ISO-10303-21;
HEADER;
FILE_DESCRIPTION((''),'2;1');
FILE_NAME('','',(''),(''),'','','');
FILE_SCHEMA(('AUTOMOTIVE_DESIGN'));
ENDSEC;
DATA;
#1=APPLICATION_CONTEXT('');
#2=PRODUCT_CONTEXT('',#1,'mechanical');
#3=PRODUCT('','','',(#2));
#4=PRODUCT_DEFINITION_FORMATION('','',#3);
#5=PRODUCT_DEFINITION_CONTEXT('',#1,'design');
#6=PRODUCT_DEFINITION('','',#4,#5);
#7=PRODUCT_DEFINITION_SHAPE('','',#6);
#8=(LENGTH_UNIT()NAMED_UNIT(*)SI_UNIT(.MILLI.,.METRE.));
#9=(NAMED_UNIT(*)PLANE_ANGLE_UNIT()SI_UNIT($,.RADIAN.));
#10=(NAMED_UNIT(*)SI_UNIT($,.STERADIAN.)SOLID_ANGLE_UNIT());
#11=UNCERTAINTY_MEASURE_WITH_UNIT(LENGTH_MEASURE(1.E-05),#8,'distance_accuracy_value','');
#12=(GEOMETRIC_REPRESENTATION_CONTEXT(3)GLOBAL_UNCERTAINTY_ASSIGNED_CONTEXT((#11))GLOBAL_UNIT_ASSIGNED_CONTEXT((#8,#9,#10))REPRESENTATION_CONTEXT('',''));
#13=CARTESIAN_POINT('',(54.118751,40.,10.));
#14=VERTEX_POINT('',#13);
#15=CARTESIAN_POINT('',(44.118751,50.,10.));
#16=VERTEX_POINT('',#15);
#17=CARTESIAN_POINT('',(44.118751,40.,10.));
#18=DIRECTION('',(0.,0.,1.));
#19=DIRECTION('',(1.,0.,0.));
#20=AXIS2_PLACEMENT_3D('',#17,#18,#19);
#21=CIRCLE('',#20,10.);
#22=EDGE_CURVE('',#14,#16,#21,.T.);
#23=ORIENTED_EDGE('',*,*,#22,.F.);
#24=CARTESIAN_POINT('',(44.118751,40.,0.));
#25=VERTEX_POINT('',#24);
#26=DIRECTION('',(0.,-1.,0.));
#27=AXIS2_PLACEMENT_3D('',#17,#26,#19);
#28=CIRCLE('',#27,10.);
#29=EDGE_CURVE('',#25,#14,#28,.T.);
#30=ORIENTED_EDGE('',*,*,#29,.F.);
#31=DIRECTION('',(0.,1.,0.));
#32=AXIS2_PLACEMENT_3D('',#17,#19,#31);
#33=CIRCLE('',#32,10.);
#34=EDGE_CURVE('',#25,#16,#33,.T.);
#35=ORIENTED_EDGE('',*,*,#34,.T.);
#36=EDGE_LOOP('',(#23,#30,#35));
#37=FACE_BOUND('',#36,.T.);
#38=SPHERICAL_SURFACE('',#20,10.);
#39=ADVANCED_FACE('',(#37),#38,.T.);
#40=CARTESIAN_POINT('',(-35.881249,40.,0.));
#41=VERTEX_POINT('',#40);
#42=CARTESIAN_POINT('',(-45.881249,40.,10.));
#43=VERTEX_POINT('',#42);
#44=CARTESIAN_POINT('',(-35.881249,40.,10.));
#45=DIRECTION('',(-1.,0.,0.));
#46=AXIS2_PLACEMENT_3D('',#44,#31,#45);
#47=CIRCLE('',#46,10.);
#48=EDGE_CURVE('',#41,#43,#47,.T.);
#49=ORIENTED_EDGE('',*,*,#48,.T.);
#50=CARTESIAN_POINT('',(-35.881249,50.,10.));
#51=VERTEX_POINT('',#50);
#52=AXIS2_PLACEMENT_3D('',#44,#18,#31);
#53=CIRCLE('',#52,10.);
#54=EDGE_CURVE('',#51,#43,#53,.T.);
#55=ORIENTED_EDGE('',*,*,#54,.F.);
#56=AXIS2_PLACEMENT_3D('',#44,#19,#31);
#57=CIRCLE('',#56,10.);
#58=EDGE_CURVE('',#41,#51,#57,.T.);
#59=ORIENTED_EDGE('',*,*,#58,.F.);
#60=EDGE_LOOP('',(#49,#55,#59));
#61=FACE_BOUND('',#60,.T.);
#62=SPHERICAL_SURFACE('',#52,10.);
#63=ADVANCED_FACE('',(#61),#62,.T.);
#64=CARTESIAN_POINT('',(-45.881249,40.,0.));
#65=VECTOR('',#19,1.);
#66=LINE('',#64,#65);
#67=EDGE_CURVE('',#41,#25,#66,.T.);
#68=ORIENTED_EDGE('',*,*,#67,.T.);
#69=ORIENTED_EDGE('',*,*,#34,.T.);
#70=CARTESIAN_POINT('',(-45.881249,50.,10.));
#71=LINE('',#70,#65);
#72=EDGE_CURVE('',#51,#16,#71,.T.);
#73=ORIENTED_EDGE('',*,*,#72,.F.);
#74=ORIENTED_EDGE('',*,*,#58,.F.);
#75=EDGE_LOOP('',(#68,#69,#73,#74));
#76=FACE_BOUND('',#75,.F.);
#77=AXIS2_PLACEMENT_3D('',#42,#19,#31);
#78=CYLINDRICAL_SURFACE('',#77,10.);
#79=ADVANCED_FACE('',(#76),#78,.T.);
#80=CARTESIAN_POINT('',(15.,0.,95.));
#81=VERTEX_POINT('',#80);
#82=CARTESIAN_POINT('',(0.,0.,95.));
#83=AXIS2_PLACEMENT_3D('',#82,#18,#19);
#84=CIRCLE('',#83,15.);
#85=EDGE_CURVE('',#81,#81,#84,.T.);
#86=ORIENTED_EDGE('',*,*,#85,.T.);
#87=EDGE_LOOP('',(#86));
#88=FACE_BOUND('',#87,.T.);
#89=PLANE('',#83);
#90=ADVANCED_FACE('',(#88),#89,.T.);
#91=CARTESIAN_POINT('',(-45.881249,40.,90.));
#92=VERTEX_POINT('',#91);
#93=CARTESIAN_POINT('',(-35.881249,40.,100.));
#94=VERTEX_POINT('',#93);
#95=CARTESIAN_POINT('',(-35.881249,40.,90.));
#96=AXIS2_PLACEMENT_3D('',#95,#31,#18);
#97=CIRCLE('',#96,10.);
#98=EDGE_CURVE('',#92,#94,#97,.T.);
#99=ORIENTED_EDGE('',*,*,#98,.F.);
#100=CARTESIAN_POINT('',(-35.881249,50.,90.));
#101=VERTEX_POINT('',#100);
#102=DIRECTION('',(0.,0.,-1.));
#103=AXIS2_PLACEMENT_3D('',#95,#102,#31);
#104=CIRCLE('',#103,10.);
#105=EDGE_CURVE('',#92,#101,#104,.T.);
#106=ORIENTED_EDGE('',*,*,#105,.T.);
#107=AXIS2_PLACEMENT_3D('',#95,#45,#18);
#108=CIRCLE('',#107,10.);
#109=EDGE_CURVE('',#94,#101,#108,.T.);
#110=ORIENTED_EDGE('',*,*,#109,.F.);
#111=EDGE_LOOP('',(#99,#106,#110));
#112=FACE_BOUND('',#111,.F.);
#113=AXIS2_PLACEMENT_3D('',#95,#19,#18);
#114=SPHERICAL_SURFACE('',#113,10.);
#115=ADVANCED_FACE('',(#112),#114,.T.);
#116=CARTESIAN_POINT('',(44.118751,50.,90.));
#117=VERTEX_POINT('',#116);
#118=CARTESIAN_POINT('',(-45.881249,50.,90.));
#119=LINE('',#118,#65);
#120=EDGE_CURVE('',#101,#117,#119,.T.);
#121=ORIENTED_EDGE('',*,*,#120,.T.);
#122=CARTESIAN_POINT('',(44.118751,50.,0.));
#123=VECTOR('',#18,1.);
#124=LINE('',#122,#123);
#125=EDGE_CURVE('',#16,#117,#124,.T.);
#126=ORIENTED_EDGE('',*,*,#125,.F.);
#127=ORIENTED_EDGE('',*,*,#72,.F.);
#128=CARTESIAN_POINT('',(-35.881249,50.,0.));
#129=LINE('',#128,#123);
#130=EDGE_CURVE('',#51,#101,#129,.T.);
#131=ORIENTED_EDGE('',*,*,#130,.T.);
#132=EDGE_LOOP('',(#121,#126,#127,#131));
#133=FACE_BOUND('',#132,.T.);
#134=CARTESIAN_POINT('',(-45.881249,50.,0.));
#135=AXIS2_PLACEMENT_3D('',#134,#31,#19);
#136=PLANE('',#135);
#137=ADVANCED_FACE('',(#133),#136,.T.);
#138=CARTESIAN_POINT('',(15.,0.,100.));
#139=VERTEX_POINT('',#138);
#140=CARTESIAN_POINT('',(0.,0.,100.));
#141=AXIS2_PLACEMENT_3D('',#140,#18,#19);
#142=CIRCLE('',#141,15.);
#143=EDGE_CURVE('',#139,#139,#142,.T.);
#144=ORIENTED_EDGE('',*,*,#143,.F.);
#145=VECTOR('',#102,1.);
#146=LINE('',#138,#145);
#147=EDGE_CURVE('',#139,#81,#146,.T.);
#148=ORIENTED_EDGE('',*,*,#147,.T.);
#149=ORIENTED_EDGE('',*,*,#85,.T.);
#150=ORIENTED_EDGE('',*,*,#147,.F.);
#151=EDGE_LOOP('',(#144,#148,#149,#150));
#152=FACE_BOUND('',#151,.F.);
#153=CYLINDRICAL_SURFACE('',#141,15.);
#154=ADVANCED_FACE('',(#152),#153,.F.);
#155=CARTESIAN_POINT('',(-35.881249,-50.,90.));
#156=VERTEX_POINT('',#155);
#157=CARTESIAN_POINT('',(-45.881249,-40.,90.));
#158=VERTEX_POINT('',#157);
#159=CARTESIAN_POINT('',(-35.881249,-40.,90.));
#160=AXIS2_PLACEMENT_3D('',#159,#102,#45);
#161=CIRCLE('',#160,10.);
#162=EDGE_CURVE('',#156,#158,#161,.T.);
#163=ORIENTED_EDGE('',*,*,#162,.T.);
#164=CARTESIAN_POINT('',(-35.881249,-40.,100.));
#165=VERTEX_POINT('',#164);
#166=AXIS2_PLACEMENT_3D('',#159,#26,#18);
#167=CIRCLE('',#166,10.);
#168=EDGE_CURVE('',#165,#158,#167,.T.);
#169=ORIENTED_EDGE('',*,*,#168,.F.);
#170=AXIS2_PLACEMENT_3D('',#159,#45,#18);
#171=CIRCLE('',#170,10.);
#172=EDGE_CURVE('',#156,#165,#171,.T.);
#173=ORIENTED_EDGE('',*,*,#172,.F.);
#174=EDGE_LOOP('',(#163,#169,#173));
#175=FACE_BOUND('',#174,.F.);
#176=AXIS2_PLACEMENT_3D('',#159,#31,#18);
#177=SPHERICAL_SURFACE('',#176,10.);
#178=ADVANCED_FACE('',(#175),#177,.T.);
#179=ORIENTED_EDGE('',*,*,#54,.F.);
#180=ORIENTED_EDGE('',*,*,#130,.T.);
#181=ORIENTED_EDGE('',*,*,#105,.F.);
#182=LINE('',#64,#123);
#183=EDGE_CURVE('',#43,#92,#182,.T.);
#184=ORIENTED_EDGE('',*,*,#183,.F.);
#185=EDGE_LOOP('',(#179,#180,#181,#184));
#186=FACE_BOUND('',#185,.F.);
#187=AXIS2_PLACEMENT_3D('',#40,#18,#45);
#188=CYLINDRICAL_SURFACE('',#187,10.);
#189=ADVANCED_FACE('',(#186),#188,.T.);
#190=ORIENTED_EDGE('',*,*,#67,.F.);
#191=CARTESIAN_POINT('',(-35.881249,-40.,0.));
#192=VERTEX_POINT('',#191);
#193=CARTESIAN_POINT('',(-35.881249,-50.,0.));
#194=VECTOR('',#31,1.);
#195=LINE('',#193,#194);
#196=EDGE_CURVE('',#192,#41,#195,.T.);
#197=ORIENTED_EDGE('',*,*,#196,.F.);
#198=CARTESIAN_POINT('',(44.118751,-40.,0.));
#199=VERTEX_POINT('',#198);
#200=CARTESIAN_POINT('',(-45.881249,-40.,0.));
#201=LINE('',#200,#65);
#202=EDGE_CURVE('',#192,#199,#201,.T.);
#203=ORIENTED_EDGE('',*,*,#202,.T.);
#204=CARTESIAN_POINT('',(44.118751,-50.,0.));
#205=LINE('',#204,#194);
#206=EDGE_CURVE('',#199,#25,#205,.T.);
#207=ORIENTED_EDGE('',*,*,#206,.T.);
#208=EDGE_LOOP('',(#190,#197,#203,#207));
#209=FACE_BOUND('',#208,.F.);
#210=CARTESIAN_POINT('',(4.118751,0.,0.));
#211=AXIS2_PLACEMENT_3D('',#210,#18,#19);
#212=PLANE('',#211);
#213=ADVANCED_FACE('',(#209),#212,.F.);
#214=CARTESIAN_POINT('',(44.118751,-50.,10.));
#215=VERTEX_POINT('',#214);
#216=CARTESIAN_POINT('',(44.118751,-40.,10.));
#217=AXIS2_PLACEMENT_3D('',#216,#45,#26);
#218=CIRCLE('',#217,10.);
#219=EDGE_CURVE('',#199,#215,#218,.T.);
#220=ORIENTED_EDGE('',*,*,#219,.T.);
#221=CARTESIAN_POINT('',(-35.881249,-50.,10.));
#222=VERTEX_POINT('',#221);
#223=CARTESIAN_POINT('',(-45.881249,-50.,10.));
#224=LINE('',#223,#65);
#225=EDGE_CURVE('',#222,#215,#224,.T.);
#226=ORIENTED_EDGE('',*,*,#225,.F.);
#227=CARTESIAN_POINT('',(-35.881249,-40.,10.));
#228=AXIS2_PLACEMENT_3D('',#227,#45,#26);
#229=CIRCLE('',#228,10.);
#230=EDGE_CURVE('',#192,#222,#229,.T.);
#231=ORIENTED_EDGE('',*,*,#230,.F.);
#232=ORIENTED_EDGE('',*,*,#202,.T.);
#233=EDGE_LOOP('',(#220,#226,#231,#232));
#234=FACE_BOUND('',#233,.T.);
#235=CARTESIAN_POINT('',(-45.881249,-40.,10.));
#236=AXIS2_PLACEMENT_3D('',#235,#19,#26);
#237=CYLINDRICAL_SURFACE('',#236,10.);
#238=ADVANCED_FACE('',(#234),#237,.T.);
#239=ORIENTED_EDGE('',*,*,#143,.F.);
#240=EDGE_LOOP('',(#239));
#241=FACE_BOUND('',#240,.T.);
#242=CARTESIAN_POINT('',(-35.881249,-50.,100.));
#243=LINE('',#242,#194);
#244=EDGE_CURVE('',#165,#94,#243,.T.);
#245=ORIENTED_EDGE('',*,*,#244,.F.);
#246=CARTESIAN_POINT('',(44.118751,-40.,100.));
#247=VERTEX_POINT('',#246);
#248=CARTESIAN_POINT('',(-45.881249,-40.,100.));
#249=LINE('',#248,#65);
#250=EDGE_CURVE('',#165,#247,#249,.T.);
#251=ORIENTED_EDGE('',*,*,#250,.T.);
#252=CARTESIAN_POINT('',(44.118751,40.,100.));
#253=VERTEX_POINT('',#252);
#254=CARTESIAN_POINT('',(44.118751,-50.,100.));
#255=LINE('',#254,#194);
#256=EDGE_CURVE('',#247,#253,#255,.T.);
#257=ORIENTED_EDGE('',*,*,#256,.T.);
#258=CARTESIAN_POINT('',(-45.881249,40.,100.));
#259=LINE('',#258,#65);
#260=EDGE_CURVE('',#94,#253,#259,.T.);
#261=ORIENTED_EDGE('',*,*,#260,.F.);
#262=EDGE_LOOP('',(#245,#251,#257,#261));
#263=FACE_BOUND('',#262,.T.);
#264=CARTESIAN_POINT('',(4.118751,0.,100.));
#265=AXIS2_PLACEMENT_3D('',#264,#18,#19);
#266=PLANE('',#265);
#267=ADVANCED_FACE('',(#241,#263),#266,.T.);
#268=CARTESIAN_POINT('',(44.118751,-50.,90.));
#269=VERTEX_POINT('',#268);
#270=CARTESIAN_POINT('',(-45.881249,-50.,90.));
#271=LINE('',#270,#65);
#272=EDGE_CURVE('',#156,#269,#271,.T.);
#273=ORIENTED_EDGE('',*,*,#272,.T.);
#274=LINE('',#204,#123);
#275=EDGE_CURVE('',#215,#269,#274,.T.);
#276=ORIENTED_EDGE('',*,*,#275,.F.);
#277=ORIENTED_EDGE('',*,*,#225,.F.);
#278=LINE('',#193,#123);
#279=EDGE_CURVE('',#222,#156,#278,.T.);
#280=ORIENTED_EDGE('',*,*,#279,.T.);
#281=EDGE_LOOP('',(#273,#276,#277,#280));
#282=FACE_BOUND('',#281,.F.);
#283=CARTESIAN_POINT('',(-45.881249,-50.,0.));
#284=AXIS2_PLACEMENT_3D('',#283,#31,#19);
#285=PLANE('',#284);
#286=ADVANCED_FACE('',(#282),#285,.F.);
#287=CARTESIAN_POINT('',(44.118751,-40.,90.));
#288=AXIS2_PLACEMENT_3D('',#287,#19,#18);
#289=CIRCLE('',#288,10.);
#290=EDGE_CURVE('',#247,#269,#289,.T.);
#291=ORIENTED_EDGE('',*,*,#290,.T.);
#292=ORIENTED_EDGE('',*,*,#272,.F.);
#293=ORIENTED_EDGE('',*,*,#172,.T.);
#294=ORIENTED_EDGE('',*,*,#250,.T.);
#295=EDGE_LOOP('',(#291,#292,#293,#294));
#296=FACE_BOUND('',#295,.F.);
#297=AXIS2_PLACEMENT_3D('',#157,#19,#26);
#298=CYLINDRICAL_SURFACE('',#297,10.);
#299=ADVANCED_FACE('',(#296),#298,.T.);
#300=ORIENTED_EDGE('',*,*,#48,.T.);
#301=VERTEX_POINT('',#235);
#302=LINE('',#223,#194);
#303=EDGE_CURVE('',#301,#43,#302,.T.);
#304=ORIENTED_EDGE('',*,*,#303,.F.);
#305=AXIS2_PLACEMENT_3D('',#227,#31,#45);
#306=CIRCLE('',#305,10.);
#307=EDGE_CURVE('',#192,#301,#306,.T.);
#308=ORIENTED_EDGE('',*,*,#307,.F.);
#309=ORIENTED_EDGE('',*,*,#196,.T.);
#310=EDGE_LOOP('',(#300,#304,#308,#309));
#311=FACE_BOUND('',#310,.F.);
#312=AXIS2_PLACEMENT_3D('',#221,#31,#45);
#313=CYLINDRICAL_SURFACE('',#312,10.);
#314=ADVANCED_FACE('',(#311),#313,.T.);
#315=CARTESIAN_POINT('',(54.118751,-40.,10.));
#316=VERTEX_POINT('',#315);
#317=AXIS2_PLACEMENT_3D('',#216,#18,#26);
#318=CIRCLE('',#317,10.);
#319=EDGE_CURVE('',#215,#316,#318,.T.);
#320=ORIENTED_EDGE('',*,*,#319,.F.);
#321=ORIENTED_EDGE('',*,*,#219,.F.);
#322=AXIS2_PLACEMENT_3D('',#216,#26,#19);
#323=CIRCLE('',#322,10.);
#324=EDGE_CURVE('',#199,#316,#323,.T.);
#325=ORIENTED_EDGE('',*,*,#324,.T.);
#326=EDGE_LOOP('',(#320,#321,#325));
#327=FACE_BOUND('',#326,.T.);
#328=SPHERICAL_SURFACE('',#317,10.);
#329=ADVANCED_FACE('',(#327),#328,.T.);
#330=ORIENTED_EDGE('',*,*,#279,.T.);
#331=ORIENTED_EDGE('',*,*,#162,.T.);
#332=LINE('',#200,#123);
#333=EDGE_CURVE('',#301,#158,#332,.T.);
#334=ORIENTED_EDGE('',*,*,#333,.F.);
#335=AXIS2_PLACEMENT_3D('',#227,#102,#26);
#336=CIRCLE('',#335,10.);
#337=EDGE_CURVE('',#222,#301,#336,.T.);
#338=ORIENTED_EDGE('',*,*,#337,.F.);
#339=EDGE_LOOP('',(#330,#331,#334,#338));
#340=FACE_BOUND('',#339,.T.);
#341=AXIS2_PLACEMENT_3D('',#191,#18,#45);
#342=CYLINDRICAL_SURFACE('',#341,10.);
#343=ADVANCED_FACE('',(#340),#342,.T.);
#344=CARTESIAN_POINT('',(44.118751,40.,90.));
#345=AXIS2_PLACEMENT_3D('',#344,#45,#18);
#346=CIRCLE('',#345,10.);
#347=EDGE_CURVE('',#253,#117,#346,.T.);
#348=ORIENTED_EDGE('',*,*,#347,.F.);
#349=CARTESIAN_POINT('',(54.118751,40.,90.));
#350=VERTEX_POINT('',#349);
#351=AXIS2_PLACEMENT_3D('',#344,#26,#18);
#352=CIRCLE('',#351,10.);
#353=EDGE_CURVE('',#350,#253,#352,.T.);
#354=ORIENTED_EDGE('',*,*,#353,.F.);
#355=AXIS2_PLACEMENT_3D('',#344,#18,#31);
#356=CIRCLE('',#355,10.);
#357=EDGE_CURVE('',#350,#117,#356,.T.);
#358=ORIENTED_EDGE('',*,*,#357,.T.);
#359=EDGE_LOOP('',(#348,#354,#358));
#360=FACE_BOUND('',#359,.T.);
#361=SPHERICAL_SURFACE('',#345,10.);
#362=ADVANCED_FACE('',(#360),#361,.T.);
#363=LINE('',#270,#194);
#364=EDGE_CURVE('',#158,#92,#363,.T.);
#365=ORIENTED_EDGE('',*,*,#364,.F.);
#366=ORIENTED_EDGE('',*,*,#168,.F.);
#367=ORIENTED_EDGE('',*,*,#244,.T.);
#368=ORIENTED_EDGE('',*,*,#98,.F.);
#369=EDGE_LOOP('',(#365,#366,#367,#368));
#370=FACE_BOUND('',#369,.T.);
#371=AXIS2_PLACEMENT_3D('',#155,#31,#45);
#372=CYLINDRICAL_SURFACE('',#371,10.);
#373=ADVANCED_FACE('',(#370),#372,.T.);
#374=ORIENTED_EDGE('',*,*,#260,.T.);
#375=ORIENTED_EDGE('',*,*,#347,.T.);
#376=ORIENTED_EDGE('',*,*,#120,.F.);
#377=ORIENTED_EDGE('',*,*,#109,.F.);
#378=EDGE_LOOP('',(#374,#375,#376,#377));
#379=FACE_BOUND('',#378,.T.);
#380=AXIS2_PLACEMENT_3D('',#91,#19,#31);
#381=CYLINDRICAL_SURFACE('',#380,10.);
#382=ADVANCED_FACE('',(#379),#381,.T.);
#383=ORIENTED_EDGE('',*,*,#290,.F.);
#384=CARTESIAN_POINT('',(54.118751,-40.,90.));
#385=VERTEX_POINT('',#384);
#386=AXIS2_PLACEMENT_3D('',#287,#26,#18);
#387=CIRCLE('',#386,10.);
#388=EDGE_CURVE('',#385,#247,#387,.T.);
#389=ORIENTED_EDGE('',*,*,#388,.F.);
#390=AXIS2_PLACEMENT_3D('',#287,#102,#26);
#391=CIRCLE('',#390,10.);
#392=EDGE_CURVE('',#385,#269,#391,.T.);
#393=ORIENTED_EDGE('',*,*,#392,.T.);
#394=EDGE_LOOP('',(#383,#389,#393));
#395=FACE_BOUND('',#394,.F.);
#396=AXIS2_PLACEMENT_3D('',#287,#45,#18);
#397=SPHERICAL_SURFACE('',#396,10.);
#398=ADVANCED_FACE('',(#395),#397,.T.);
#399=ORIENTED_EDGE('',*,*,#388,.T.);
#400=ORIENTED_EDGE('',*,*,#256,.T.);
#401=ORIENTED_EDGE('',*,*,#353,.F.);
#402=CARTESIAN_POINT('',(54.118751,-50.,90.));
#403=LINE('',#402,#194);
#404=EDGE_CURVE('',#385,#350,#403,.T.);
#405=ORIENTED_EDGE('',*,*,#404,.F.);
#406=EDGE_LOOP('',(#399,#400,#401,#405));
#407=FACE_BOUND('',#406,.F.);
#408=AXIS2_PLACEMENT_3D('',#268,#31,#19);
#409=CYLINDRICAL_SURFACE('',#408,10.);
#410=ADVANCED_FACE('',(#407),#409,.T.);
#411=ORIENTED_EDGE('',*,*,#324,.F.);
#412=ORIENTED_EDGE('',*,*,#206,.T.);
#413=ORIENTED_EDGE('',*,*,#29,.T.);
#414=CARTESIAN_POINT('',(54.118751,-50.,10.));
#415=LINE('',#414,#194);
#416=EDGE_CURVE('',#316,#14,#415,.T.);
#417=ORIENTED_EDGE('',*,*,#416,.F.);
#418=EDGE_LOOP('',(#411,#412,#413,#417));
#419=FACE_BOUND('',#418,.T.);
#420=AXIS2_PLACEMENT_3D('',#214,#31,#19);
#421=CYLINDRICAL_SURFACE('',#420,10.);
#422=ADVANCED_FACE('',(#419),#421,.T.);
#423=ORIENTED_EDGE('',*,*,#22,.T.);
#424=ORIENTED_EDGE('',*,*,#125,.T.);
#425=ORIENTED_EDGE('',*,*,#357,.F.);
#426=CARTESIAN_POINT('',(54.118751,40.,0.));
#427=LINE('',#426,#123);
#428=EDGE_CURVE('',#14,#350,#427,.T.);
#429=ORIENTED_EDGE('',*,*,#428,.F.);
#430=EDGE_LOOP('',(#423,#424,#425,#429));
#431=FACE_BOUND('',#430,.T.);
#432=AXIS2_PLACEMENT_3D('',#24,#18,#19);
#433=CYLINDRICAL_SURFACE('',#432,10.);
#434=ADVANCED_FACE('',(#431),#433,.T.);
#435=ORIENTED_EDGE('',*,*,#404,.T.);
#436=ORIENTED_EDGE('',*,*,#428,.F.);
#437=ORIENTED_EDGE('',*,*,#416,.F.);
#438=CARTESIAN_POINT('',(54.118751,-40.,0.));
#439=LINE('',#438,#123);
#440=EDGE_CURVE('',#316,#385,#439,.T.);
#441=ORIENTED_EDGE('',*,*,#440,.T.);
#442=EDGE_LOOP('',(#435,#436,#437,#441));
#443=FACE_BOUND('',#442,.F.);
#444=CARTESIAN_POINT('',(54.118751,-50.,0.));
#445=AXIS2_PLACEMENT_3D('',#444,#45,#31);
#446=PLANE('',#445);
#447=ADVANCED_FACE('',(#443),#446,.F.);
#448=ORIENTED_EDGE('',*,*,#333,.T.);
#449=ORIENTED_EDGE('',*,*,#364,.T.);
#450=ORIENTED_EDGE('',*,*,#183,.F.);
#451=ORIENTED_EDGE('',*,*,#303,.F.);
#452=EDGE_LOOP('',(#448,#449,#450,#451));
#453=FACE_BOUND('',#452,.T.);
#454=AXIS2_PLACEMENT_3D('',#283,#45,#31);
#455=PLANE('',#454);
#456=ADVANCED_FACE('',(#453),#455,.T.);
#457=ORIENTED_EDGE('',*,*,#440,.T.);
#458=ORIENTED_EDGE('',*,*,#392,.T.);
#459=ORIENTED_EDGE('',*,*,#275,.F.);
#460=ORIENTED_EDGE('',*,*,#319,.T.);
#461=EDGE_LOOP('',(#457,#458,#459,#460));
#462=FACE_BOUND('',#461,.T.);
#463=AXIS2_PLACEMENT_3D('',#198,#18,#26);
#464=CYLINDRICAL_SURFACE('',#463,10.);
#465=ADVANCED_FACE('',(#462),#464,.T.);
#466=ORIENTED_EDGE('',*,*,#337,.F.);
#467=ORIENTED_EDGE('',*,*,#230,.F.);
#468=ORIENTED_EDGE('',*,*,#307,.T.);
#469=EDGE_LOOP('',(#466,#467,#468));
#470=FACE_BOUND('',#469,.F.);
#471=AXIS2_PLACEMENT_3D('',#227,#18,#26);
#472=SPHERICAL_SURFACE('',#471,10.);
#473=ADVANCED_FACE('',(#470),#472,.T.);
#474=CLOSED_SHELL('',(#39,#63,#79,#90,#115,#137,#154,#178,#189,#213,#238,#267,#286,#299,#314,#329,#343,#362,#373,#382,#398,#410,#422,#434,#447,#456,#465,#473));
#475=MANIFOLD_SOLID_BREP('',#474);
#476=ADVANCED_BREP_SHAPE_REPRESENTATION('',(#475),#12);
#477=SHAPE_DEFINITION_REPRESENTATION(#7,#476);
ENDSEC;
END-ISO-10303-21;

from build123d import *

# Parameters (mm, degrees)
F0_W     = 100
F0_H     = 100
F1_DEPTH = 100
F2_R     = 10
F3_R     = 15
F4_DEPTH = 5


with BuildPart() as f1:
    # F0 (on Top) → F1 (new body)
    with BuildSketch(Plane.XY):
        with Locations((4.118751, 0)):
            Rectangle(F0_W, F0_H)
    extrude(amount=F1_DEPTH)

    # F2
    f2_edges = [f1.edges().sort_by_distance(p)[0] for p in [
        (4.118751, 50, 100),
        (-45.881249, 0, 100),
        (4.118751, -50, 100),
        (54.118751, 0, 100),
        (-45.881249, -50, 50),
        (54.118751, -50, 50),
        (4.118751, -50, 0),
        (54.118751, 50, 50),
        (54.118751, 0, 0),
        (-45.881249, 50, 50),
        (4.118751, 50, 0),
        (-45.881249, 0, 0),
    ]]
    fillet(f2_edges, radius=F2_R)

    # F3 (on face) → F4 (cut)
    with BuildSketch(Plane.XY.offset(100)):
        Circle(F3_R)
    extrude(amount=-F4_DEPTH, mode=Mode.SUBTRACT)


solid = f1.part
